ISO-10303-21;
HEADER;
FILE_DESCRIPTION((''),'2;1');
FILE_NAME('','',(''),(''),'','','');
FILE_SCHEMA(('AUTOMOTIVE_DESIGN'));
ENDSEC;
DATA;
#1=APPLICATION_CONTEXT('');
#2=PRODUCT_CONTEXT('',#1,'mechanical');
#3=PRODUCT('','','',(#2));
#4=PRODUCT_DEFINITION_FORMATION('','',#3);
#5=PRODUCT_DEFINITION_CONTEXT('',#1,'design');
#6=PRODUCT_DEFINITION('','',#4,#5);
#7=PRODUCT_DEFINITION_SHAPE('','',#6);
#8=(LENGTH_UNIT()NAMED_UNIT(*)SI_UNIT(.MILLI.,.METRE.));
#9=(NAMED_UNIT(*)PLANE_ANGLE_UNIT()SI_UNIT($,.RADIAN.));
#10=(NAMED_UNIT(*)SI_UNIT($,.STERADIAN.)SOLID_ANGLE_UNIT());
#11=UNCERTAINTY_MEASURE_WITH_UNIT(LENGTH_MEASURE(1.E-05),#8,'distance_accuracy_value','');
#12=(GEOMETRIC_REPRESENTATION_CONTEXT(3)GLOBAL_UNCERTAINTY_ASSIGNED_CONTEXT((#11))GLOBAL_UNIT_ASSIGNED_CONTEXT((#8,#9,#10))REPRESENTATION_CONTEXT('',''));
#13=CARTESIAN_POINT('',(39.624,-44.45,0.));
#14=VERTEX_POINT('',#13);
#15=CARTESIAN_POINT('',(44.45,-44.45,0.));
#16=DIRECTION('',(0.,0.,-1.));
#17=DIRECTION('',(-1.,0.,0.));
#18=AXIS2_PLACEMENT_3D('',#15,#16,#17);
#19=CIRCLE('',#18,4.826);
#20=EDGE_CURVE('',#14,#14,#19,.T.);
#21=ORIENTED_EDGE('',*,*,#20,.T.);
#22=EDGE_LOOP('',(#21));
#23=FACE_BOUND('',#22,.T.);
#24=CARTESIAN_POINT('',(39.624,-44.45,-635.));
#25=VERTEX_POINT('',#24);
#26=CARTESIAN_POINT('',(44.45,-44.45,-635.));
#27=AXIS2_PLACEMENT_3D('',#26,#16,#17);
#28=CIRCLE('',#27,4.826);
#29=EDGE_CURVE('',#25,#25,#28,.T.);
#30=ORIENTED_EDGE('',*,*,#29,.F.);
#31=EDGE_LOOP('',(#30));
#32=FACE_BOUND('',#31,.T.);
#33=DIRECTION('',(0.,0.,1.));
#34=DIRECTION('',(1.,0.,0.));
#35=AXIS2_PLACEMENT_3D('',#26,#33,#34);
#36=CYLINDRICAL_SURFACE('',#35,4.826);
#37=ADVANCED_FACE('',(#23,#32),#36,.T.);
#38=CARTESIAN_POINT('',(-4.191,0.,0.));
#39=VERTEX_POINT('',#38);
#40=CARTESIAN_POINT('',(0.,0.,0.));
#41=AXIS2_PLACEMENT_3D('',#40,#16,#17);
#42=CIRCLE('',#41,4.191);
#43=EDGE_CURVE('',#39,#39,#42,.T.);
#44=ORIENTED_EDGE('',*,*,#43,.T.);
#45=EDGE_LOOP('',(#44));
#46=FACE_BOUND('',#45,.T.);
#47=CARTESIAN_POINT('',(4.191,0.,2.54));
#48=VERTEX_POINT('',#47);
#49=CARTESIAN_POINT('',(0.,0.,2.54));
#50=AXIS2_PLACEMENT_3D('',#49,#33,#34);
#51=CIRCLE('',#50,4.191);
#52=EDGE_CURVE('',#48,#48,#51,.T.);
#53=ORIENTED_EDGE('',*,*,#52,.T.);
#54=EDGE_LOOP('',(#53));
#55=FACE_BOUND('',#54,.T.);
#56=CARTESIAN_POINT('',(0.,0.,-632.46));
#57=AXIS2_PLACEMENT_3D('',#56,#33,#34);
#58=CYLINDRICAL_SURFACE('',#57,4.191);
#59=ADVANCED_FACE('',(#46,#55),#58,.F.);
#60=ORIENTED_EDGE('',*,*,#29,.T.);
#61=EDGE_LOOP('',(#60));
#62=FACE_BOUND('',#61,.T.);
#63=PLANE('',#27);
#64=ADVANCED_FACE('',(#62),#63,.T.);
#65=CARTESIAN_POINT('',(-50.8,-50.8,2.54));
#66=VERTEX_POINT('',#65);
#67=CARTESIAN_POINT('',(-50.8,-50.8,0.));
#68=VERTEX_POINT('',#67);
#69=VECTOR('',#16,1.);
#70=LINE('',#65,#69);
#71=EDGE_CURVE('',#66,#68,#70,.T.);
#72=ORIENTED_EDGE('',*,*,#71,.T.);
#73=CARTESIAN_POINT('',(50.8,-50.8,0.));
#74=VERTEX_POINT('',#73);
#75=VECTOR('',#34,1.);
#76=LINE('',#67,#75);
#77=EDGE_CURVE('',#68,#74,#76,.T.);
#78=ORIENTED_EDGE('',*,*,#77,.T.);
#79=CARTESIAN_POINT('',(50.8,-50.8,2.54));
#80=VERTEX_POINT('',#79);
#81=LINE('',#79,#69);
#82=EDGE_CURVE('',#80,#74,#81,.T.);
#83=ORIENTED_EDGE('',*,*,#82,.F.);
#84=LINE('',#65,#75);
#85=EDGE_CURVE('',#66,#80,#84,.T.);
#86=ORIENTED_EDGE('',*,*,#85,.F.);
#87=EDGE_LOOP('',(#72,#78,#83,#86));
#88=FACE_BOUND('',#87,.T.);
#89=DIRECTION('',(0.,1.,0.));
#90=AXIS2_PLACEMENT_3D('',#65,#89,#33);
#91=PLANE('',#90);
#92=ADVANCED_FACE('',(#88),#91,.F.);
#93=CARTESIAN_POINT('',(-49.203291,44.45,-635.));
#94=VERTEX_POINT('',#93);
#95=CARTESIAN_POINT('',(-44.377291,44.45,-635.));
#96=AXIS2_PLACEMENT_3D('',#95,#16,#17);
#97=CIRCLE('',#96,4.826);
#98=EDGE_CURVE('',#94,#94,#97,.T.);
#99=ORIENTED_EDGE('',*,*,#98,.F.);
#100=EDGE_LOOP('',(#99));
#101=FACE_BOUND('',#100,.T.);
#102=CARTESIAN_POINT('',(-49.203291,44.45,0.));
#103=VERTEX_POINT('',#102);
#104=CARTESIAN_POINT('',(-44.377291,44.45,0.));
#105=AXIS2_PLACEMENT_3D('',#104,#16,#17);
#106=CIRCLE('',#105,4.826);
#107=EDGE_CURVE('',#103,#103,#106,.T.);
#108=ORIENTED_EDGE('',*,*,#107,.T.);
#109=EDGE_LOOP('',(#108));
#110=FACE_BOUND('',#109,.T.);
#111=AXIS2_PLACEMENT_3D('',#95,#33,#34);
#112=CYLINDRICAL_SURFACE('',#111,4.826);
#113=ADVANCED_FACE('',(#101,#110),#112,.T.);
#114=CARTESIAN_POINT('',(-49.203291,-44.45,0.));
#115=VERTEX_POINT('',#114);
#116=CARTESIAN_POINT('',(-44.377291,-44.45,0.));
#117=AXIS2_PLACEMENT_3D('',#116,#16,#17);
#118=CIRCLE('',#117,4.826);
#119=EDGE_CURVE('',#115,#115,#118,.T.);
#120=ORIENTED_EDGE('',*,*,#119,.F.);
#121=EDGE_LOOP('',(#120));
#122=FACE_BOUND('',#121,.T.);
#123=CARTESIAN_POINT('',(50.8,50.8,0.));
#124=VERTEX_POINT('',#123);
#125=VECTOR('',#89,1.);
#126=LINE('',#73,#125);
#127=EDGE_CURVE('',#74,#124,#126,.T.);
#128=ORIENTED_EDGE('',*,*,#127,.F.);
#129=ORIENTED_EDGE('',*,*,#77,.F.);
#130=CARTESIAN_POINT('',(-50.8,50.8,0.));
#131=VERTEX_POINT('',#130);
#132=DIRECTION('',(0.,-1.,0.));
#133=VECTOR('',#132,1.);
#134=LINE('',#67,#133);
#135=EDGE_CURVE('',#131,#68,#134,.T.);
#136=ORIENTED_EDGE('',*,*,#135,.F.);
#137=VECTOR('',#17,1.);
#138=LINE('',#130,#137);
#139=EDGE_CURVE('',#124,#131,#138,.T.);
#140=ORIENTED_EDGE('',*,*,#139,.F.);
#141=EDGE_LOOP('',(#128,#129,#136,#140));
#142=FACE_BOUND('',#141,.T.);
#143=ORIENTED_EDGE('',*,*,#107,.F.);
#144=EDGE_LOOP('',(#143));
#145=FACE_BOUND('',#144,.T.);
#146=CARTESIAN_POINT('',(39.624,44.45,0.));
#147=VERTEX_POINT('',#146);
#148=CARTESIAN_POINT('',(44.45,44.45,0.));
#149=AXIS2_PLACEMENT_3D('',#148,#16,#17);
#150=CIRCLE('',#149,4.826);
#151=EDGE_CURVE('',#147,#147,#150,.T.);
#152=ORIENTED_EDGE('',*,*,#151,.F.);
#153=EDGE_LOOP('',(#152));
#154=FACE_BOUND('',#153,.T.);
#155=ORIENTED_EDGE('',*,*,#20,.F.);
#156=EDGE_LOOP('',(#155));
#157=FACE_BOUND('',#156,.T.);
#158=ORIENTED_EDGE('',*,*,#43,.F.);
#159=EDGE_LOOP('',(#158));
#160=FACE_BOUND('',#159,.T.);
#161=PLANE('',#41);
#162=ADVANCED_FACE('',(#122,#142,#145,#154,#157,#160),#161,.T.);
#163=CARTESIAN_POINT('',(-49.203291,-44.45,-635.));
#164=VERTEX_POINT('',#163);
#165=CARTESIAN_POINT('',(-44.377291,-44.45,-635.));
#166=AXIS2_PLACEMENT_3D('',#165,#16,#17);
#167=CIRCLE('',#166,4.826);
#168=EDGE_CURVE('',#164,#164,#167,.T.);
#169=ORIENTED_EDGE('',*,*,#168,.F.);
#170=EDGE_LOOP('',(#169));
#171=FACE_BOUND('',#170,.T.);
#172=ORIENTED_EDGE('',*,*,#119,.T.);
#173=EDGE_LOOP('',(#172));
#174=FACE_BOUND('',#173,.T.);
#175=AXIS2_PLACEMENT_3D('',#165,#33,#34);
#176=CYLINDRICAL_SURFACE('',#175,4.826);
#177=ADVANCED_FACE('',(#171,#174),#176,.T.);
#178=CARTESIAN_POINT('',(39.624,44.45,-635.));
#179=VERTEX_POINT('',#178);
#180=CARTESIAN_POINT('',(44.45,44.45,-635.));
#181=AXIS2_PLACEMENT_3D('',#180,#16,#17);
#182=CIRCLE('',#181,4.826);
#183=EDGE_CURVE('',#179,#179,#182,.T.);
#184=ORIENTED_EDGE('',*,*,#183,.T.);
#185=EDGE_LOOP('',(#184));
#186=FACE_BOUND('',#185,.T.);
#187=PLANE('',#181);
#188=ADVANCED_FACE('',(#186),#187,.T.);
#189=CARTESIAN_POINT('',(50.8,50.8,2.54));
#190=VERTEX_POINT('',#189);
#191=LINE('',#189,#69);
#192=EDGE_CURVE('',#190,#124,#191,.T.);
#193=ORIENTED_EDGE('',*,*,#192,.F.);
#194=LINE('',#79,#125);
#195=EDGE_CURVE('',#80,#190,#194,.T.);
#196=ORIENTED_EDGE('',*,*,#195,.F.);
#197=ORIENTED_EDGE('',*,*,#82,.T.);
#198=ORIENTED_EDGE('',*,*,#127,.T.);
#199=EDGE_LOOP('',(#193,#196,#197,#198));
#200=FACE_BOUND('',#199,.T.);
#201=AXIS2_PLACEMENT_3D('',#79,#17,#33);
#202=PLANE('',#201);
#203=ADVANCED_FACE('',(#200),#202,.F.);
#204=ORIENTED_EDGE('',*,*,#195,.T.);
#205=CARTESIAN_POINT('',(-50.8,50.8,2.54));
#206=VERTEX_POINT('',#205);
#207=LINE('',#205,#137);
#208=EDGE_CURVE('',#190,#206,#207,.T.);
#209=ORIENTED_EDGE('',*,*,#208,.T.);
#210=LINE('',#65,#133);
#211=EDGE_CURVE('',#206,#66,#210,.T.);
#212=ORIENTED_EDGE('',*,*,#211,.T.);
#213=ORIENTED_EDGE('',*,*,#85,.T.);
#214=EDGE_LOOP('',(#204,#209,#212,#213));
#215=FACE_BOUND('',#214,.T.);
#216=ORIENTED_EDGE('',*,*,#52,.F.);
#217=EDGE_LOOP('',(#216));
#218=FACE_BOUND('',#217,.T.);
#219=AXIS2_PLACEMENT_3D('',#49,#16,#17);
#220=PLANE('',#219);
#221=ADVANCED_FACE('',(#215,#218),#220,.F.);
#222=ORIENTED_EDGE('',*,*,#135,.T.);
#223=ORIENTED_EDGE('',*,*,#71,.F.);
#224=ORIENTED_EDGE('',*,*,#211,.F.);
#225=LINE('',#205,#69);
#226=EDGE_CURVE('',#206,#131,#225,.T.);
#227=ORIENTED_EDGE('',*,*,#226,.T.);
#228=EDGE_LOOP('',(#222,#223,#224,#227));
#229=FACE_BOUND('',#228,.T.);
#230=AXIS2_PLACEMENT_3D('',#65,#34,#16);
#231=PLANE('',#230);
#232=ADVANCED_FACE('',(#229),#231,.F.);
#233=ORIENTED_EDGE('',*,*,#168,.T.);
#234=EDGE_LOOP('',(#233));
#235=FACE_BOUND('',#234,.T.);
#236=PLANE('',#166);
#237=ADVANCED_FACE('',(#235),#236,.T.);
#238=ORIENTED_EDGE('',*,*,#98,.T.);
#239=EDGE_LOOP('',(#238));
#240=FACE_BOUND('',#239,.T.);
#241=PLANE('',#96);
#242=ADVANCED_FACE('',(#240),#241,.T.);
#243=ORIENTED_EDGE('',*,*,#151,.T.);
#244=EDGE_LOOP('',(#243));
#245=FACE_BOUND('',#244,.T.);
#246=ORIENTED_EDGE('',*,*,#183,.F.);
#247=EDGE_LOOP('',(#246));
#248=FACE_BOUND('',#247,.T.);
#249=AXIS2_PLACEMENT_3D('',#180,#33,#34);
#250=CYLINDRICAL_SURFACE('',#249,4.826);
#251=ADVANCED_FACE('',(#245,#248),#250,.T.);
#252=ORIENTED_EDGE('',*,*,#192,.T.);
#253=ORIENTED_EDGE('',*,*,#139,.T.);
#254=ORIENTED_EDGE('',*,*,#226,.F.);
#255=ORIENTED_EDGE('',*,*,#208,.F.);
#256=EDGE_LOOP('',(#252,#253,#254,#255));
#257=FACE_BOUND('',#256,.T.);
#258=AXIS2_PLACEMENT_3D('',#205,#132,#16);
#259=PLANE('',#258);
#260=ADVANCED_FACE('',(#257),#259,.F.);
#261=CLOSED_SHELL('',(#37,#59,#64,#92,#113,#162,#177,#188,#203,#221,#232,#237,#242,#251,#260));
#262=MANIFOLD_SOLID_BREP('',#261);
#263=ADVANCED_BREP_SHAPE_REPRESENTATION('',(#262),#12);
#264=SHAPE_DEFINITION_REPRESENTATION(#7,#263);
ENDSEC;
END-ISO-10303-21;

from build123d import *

# Parameters (mm, degrees)
SKETCH1_W           = 101.6
SKETCH1_H           = 101.6
BOSS_EXTRUDE1_DEPTH = 2.54
SKETCH2_R           = 4.826
BOSS_EXTRUDE2_DEPTH = 635
SKETCH3_R           = 4.191
CUT_EXTRUDE1_DEPTH  = 635


with BuildPart() as part:
    # Sketch1 → Boss-Extrude1 (new body)
    with BuildSketch(Plane.XY):
        Rectangle(SKETCH1_W, SKETCH1_H)
    extrude(amount=BOSS_EXTRUDE1_DEPTH)

    # Sketch2 → Boss-Extrude2 (add)
    with BuildSketch(Plane(origin=(0, 0, 0), x_dir=(-1, 0, 0), z_dir=(0, 0, -1))):
        with Locations((-44.45, 44.45)):
            Circle(SKETCH2_R)
        with Locations((44.377290972, 44.45)):
            Circle(SKETCH2_R)
        with Locations((44.377290972, -44.45)):
            Circle(SKETCH2_R)
        with Locations((-44.45, -44.45)):
            Circle(SKETCH2_R)
    extrude(amount=BOSS_EXTRUDE2_DEPTH)

    # Sketch3 → Cut-Extrude1 (cut)
    with BuildSketch(Plane.XY.offset(2.54)):
        Circle(SKETCH3_R)
    extrude(amount=-CUT_EXTRUDE1_DEPTH, mode=Mode.SUBTRACT)


solid = part.part
